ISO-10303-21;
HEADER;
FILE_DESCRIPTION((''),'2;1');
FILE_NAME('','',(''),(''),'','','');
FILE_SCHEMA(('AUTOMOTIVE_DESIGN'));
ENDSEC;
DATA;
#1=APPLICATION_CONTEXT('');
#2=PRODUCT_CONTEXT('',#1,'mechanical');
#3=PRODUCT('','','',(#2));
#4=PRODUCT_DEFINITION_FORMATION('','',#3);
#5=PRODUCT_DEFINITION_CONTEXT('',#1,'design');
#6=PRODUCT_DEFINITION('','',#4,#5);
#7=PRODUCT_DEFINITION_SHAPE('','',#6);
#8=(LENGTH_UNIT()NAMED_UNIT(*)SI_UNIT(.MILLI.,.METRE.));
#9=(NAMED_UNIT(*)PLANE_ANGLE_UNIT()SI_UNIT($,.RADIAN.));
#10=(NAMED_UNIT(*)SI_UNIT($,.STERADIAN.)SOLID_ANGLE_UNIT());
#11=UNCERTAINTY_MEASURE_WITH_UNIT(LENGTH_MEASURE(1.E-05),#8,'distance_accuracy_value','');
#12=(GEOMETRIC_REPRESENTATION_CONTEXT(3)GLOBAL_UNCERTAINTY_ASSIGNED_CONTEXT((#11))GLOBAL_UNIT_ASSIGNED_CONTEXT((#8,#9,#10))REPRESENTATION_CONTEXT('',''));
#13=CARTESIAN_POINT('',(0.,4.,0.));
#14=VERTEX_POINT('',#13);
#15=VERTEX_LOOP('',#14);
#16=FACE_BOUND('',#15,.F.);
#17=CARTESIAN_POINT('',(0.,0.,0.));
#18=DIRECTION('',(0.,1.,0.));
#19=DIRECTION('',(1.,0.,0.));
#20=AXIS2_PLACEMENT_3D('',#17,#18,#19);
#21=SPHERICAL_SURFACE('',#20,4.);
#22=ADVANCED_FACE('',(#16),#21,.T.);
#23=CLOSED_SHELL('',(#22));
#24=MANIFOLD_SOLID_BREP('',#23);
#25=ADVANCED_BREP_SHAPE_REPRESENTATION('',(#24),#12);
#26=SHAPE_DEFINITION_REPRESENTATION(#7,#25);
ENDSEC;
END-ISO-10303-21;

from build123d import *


with BuildPart() as part:
    # Sketch1 → Revolve1 (revolve)
    with BuildSketch(Plane.XY):
        with BuildLine():
            Line((0, 4), (0, -4))
            ThreePointArc((0, -4), (4, 0), (0, 4))
        make_face()
    revolve(axis=Axis((0, 4, 0), (0, -1, 0)))


solid = part.part
